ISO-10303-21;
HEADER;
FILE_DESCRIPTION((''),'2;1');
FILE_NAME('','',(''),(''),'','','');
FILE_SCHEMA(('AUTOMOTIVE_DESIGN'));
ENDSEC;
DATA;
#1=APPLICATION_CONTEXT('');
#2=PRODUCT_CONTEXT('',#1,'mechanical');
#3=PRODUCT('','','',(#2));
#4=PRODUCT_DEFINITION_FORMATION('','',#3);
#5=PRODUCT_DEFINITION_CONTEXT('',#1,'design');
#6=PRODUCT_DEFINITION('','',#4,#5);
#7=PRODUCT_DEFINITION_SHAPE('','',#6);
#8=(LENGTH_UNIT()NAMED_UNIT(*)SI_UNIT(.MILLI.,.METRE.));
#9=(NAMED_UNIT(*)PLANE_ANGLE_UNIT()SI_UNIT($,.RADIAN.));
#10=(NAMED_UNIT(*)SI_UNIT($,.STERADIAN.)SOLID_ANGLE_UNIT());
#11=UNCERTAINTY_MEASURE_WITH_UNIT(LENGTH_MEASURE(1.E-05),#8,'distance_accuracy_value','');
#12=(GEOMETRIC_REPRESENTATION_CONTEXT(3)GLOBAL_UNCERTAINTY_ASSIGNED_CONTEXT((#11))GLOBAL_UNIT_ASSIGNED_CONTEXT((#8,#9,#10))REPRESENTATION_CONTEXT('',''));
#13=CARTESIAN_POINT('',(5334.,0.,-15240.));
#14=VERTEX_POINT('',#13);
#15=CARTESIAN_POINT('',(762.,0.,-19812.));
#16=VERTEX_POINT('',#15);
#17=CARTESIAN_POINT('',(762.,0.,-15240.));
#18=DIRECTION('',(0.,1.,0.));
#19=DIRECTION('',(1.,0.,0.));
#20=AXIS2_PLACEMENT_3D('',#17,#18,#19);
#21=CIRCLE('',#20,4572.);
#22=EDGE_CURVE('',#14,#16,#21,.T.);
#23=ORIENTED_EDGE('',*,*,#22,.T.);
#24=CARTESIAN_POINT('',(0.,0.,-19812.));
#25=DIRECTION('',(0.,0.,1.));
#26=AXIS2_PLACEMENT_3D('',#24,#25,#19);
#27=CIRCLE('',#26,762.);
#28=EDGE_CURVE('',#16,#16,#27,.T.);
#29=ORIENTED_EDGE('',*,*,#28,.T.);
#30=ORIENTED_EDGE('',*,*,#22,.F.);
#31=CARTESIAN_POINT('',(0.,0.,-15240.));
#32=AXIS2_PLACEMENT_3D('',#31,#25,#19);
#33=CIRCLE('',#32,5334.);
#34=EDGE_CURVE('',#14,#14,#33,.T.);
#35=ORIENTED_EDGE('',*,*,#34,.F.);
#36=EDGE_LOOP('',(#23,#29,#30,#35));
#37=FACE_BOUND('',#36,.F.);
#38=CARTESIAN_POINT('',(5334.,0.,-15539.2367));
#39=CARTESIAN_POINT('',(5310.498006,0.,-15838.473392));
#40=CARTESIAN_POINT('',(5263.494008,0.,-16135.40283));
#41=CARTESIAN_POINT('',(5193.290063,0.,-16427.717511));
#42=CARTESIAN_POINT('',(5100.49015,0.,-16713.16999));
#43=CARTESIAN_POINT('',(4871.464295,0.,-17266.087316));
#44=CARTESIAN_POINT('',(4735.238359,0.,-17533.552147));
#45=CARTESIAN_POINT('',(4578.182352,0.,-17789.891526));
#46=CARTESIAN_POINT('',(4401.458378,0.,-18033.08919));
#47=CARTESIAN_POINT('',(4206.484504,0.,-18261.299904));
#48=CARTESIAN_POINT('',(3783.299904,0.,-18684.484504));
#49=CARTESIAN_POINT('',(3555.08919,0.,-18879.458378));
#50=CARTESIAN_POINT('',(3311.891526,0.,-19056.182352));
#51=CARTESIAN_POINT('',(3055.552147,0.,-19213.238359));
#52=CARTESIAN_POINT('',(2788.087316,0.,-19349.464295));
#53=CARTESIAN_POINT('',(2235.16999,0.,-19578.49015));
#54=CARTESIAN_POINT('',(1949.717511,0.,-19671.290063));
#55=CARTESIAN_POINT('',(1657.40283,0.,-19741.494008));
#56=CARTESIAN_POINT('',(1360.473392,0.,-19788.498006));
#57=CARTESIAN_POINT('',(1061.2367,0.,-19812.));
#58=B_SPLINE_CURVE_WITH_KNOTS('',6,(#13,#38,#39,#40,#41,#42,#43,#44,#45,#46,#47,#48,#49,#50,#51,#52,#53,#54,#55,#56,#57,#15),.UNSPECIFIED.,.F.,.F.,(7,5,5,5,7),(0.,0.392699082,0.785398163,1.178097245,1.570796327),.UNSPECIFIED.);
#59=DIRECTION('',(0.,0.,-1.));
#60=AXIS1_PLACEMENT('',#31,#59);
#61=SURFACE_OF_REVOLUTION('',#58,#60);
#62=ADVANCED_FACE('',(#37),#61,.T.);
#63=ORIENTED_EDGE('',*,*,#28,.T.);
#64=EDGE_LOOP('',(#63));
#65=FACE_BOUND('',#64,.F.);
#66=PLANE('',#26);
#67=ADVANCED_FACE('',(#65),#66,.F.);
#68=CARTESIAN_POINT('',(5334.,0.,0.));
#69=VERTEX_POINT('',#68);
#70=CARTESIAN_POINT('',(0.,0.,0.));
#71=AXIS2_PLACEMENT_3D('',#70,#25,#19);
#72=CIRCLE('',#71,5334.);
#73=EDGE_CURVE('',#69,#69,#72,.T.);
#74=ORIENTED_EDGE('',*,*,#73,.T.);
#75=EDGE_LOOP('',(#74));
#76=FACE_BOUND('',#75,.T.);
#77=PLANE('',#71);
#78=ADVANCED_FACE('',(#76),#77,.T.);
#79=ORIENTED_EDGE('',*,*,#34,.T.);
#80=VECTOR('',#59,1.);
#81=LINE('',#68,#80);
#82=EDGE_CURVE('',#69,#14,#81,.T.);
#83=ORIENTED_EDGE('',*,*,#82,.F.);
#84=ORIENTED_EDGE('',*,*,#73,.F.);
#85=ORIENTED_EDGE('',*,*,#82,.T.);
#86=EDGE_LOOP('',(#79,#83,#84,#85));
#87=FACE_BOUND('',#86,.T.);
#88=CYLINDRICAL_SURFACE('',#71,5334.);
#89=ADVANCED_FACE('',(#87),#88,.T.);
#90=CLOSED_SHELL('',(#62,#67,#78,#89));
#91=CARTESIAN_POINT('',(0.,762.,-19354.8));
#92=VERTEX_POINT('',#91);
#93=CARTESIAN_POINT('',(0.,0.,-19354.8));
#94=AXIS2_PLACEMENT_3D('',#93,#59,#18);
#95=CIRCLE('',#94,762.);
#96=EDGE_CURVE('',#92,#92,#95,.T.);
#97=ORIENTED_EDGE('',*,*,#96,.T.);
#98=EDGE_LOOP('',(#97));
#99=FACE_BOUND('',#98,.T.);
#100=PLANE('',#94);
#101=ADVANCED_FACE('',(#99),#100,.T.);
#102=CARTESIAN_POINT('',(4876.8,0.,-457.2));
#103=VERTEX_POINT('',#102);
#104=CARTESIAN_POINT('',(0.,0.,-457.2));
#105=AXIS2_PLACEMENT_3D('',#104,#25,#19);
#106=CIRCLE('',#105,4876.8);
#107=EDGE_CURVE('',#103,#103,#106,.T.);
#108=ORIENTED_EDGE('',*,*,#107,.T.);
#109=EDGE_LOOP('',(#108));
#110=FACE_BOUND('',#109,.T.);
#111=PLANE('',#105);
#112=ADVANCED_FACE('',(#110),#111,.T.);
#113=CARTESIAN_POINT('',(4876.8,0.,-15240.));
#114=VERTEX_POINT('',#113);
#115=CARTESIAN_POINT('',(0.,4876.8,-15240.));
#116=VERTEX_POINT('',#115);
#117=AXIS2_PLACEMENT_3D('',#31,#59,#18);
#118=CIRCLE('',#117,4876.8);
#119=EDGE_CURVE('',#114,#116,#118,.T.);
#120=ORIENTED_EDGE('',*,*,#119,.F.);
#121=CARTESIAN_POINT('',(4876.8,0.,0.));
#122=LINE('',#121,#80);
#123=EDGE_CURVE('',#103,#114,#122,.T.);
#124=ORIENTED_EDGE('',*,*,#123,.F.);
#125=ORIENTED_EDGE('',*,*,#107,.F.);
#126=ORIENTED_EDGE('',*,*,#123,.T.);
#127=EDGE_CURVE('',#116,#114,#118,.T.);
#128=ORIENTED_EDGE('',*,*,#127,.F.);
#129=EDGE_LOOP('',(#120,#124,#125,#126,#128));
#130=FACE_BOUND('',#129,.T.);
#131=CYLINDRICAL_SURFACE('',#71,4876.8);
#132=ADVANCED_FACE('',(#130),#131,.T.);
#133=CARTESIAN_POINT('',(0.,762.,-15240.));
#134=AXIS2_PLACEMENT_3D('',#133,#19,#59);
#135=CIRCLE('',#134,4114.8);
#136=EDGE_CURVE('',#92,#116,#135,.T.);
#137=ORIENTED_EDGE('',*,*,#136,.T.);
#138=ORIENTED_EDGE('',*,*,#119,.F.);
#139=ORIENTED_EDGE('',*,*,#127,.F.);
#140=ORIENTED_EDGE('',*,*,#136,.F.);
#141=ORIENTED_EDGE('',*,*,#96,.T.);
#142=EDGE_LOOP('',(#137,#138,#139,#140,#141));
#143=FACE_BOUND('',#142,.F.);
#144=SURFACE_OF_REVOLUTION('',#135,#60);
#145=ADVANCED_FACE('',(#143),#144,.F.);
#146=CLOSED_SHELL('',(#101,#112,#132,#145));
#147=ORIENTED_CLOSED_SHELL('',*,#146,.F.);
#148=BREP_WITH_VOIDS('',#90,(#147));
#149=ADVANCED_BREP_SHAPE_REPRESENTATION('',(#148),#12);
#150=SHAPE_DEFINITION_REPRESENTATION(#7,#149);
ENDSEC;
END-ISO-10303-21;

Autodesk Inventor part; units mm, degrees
ref_plane "YZ Plane" through (0, 0, 0) normal (1, 0, 0) x (0, 1, 0)
ref_plane "XZ Plane" through (0, 0, 0) normal (0, 1, 0) x (-1, 0, 0)
ref_plane "XY Plane" through (0, 0, 0) normal (0, 0, 1) x (1, 0, 0)
sketch "Sketch1" plane through (0, 0, 0) normal (0, 0, 1) x (1, 0, 0)
  circle A0 centre (0, 0) radius 5334
  dimension "d0" = 10668
extrude "Extrusion1" add sketch "Sketch1" against normal blind 19812
sketch "Sketch2" plane through (0, 0, 0) normal (0, 0, 1) x (1, 0, 0)
  circle A0 centre (0, 0) radius 4876.8
fillet "Fillet1" radius 4572 1 edges at (-5334, 0, -19812)
sketch "Sketch3" plane through (0, 0, 0) normal (1, 0, 0) x (0, 1, 0)
  line L0 (0, -15240) -> (0, -19354.8)
  line L1 (0, -15240) -> (4876.8, -15240)
  arc A0 (762, -19354.8) -> (4876.8, -15240) centre (762, -15240) ccw
  line L2 (762, -19354.8) -> (0, -19354.8)
  point P0 (0, 0)
revolve "Revolution1" cut sketch "Sketch3" angle 360 about axis through (0, 0, -15240) along (0, 0, -1)
extrude "Extrusion2" cut sketch "Sketch2" against normal blind 15240
sketch "Sketch4" plane through (0, 0, 0) normal (0, 0, 1) x (1, 0, 0)
  circle A0 centre (0, 0) radius 5334
extrude "Extrusion3" add sketch "Sketch4" against normal blind 457.2
properties part number "ex_tank_H"
